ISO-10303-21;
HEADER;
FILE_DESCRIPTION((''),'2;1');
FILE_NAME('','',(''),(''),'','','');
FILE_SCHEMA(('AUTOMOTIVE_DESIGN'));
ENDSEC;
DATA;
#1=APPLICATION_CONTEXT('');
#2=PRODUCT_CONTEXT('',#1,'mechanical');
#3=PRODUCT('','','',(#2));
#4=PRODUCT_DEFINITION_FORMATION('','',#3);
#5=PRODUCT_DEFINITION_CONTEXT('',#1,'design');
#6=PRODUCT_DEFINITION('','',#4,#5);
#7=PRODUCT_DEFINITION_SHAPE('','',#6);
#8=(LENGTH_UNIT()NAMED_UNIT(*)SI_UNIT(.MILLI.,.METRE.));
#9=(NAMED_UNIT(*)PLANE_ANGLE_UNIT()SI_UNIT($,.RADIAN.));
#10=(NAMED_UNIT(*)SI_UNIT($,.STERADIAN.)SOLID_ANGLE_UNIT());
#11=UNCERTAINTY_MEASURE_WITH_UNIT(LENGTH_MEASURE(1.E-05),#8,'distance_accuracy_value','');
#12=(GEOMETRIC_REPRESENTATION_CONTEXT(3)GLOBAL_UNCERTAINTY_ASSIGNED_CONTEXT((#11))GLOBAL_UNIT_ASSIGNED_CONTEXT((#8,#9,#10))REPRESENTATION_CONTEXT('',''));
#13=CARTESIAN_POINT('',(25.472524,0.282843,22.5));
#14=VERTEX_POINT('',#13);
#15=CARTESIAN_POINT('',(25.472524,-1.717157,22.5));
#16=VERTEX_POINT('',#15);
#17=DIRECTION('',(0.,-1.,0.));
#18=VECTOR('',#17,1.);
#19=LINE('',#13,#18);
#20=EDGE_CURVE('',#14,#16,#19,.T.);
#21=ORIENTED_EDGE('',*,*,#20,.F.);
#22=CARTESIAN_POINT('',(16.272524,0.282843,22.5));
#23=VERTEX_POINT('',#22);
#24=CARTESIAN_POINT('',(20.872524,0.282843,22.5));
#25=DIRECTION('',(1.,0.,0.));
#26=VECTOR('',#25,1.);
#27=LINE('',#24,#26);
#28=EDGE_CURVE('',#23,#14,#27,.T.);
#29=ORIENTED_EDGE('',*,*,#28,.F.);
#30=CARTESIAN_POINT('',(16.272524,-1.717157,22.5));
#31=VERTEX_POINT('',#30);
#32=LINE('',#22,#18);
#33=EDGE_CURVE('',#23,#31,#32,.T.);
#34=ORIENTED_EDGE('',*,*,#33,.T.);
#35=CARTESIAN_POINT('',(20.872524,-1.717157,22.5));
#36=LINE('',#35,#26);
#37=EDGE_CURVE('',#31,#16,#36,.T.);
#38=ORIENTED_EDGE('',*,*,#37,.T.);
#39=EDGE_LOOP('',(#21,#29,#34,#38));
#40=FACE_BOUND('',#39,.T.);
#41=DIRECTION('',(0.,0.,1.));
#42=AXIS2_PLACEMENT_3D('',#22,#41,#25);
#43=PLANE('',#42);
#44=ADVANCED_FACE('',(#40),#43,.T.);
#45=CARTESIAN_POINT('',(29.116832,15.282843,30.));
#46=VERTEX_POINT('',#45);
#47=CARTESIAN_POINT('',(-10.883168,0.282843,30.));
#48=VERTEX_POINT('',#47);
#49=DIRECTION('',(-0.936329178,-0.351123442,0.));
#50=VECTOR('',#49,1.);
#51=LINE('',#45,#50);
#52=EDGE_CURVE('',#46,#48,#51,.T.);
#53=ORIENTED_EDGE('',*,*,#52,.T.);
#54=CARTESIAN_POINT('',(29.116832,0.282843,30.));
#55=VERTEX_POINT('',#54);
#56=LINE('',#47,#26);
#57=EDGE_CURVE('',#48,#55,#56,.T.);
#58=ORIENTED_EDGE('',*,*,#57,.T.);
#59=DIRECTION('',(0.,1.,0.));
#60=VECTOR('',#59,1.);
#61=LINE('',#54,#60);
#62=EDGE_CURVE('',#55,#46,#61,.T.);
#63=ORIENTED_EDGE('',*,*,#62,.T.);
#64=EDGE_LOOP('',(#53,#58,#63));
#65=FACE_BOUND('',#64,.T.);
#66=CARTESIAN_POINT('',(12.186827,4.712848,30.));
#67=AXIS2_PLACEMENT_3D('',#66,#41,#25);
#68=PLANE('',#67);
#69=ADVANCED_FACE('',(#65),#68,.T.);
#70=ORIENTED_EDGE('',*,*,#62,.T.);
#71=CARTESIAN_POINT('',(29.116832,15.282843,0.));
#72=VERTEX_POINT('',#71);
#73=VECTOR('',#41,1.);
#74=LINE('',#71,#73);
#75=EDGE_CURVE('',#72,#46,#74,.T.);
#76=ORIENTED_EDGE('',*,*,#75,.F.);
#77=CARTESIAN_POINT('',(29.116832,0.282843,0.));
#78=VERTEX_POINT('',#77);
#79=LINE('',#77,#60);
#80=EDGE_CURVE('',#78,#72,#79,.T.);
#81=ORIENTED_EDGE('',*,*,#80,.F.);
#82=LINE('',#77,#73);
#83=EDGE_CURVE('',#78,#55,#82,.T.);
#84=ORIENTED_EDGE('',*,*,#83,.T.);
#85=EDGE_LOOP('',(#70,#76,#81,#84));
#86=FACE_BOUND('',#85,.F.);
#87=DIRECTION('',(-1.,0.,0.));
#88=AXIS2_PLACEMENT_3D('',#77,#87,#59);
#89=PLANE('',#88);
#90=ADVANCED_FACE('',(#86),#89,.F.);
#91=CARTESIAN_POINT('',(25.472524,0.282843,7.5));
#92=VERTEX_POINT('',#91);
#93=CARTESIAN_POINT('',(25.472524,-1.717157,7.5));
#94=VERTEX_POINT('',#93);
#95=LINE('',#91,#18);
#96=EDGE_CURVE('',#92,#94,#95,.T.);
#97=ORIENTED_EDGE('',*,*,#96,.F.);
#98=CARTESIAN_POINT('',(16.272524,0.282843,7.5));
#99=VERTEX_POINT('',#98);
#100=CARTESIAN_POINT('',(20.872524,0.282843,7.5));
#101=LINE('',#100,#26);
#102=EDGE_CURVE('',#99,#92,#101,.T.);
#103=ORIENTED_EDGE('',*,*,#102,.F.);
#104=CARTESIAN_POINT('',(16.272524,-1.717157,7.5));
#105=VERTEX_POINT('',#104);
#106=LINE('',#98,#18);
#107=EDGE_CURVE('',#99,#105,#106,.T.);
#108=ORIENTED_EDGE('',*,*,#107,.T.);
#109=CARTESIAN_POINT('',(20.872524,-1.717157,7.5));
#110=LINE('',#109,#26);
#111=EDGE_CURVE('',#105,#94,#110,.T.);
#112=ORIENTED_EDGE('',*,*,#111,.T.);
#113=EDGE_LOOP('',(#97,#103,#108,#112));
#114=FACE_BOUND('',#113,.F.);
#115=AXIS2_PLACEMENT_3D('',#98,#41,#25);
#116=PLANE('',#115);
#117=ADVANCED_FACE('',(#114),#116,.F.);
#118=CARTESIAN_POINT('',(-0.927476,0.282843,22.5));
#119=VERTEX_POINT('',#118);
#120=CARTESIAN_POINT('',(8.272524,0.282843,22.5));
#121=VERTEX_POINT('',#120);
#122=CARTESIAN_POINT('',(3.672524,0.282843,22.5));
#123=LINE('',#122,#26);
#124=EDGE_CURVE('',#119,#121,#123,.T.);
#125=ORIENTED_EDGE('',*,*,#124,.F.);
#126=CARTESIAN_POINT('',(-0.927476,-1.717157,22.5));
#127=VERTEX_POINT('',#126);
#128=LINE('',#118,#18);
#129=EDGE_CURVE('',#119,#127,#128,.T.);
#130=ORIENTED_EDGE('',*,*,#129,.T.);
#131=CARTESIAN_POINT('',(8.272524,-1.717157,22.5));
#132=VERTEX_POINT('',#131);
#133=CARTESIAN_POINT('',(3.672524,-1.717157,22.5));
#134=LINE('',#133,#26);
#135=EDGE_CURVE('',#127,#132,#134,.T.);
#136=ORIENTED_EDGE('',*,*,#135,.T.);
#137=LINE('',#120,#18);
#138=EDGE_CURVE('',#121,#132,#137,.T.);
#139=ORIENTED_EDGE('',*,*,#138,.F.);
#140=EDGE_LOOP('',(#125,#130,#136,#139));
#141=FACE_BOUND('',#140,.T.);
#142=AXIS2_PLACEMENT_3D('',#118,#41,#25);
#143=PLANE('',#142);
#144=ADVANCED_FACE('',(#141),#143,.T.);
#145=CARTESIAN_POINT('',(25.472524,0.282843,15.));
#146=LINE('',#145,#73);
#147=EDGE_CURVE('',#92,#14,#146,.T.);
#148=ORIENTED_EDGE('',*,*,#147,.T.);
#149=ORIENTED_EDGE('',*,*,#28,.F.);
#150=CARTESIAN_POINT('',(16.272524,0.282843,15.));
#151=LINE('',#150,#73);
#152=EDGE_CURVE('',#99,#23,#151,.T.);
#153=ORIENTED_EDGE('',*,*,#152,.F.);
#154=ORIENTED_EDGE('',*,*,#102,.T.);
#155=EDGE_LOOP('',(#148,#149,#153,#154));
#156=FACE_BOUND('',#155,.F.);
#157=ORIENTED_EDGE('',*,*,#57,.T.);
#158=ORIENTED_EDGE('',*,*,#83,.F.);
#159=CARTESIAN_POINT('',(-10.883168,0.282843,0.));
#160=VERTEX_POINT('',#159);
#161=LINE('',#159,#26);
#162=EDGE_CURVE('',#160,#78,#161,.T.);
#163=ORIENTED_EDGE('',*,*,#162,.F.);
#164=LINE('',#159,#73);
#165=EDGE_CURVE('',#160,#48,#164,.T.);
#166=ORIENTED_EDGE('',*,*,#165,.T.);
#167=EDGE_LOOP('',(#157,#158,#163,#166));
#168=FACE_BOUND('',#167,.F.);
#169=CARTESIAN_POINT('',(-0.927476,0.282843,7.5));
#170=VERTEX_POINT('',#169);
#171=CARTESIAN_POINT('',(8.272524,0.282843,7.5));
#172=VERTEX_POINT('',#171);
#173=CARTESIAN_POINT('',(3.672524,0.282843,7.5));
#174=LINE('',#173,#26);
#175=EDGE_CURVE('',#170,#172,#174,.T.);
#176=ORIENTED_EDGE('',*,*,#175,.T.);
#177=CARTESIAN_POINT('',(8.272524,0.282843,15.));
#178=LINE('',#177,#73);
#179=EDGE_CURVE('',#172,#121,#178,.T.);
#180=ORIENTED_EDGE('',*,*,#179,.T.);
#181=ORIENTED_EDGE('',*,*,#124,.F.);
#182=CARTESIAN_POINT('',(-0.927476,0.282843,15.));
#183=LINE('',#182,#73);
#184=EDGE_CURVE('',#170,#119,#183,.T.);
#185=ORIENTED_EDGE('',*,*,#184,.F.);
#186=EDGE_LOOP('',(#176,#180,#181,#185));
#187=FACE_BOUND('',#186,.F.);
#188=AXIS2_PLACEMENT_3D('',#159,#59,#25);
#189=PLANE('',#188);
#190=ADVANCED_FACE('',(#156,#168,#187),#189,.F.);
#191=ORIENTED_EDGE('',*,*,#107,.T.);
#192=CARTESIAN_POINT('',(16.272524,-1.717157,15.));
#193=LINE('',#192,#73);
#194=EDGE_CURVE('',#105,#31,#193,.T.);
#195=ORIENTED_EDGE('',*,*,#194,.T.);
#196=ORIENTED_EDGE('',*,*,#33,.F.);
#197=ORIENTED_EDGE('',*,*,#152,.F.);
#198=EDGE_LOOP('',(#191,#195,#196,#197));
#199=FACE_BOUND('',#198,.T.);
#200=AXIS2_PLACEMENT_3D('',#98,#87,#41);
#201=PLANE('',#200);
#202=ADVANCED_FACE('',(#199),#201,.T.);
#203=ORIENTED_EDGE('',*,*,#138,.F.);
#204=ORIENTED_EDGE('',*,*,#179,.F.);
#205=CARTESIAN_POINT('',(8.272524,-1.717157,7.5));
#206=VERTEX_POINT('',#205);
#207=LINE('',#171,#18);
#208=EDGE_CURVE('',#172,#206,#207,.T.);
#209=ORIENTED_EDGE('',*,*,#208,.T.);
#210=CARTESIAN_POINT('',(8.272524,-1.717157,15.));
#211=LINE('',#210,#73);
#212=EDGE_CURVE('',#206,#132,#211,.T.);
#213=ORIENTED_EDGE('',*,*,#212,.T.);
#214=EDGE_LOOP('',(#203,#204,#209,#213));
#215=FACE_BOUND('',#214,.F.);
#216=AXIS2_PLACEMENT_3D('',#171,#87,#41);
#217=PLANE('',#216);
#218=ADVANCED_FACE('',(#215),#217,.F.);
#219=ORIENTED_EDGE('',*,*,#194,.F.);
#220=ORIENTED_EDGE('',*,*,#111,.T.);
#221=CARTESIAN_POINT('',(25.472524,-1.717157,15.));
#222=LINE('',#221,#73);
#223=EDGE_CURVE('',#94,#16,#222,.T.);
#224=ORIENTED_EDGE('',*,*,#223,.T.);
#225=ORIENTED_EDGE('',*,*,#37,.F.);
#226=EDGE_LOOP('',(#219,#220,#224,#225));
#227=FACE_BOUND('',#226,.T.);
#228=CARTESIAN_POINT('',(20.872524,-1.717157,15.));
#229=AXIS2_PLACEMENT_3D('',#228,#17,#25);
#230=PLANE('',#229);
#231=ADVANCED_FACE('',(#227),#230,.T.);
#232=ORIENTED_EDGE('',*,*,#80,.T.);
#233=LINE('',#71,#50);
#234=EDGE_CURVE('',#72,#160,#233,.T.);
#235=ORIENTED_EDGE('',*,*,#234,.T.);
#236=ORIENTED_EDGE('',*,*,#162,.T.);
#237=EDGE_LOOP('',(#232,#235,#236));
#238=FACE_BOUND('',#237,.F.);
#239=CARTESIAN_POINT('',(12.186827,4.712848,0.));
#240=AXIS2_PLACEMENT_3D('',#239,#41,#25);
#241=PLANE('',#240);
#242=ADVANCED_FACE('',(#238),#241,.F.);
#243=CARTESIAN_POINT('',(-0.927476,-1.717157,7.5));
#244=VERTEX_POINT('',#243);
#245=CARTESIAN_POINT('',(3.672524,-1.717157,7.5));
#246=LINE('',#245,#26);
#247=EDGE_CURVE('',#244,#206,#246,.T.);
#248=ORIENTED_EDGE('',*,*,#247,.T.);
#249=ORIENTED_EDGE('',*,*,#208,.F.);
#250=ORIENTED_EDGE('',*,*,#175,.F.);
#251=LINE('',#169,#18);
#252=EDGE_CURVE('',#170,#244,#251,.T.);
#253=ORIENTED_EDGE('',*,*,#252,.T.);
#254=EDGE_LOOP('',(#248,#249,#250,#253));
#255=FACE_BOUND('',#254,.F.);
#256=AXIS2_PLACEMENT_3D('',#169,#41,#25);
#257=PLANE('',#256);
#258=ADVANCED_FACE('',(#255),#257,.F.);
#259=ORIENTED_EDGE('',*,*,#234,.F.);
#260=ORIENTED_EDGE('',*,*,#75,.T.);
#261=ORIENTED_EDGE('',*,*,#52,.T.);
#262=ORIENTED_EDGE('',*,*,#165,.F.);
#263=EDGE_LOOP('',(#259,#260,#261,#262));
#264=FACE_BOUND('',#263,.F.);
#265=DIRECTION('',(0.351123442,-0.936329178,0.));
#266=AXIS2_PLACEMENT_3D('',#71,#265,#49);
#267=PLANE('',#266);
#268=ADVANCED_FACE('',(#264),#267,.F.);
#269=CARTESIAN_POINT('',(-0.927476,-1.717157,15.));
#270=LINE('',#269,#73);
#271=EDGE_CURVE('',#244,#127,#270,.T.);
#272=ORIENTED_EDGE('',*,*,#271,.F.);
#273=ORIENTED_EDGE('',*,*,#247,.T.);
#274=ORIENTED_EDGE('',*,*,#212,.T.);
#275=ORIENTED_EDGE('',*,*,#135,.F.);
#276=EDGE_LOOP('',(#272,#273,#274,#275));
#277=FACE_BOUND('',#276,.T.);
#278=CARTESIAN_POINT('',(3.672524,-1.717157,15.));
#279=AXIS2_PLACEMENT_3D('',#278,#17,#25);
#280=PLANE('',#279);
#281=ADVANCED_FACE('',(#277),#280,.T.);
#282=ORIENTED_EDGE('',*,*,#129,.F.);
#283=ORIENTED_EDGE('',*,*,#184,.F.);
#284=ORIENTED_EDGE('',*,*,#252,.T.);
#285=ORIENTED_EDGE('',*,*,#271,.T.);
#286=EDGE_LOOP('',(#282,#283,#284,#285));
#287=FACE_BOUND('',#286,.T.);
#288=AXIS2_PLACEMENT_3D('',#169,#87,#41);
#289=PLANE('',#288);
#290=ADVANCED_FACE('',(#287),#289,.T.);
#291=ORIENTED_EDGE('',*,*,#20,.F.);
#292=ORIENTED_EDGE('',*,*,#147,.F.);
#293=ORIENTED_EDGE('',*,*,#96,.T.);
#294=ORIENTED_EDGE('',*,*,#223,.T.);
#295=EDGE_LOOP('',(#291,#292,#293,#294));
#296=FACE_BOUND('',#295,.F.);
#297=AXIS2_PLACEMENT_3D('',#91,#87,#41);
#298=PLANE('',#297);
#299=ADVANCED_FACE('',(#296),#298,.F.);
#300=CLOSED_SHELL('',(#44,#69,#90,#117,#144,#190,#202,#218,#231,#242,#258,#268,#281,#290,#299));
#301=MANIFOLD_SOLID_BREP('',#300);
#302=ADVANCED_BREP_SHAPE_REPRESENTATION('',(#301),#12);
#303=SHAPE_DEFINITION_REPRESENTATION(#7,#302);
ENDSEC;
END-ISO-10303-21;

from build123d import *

# Parameters (mm, degrees)
PAD_DEPTH    = 30
SKETCH001_W  = 9.2
SKETCH001_H  = 15
PAD001_DEPTH = 2


with BuildPart() as part:
    # Sketch → Pad (new body)
    with BuildSketch(Plane.XY):
        Polygon((-10.883168, 0.282843), (29.116832, 0.282843), (29.116832, 15.282843), align=None)
    extrude(amount=PAD_DEPTH)

    # Sketch001 → Pad001 (new body)
    with BuildSketch(Plane.XZ.offset(-0.282843)):
        with Locations((3.672524, 15)):
            Rectangle(SKETCH001_W, SKETCH001_H)
        with Locations((20.872524, 15)):
            Rectangle(SKETCH001_W, SKETCH001_H)
    extrude(amount=PAD001_DEPTH)


solid = part.part
